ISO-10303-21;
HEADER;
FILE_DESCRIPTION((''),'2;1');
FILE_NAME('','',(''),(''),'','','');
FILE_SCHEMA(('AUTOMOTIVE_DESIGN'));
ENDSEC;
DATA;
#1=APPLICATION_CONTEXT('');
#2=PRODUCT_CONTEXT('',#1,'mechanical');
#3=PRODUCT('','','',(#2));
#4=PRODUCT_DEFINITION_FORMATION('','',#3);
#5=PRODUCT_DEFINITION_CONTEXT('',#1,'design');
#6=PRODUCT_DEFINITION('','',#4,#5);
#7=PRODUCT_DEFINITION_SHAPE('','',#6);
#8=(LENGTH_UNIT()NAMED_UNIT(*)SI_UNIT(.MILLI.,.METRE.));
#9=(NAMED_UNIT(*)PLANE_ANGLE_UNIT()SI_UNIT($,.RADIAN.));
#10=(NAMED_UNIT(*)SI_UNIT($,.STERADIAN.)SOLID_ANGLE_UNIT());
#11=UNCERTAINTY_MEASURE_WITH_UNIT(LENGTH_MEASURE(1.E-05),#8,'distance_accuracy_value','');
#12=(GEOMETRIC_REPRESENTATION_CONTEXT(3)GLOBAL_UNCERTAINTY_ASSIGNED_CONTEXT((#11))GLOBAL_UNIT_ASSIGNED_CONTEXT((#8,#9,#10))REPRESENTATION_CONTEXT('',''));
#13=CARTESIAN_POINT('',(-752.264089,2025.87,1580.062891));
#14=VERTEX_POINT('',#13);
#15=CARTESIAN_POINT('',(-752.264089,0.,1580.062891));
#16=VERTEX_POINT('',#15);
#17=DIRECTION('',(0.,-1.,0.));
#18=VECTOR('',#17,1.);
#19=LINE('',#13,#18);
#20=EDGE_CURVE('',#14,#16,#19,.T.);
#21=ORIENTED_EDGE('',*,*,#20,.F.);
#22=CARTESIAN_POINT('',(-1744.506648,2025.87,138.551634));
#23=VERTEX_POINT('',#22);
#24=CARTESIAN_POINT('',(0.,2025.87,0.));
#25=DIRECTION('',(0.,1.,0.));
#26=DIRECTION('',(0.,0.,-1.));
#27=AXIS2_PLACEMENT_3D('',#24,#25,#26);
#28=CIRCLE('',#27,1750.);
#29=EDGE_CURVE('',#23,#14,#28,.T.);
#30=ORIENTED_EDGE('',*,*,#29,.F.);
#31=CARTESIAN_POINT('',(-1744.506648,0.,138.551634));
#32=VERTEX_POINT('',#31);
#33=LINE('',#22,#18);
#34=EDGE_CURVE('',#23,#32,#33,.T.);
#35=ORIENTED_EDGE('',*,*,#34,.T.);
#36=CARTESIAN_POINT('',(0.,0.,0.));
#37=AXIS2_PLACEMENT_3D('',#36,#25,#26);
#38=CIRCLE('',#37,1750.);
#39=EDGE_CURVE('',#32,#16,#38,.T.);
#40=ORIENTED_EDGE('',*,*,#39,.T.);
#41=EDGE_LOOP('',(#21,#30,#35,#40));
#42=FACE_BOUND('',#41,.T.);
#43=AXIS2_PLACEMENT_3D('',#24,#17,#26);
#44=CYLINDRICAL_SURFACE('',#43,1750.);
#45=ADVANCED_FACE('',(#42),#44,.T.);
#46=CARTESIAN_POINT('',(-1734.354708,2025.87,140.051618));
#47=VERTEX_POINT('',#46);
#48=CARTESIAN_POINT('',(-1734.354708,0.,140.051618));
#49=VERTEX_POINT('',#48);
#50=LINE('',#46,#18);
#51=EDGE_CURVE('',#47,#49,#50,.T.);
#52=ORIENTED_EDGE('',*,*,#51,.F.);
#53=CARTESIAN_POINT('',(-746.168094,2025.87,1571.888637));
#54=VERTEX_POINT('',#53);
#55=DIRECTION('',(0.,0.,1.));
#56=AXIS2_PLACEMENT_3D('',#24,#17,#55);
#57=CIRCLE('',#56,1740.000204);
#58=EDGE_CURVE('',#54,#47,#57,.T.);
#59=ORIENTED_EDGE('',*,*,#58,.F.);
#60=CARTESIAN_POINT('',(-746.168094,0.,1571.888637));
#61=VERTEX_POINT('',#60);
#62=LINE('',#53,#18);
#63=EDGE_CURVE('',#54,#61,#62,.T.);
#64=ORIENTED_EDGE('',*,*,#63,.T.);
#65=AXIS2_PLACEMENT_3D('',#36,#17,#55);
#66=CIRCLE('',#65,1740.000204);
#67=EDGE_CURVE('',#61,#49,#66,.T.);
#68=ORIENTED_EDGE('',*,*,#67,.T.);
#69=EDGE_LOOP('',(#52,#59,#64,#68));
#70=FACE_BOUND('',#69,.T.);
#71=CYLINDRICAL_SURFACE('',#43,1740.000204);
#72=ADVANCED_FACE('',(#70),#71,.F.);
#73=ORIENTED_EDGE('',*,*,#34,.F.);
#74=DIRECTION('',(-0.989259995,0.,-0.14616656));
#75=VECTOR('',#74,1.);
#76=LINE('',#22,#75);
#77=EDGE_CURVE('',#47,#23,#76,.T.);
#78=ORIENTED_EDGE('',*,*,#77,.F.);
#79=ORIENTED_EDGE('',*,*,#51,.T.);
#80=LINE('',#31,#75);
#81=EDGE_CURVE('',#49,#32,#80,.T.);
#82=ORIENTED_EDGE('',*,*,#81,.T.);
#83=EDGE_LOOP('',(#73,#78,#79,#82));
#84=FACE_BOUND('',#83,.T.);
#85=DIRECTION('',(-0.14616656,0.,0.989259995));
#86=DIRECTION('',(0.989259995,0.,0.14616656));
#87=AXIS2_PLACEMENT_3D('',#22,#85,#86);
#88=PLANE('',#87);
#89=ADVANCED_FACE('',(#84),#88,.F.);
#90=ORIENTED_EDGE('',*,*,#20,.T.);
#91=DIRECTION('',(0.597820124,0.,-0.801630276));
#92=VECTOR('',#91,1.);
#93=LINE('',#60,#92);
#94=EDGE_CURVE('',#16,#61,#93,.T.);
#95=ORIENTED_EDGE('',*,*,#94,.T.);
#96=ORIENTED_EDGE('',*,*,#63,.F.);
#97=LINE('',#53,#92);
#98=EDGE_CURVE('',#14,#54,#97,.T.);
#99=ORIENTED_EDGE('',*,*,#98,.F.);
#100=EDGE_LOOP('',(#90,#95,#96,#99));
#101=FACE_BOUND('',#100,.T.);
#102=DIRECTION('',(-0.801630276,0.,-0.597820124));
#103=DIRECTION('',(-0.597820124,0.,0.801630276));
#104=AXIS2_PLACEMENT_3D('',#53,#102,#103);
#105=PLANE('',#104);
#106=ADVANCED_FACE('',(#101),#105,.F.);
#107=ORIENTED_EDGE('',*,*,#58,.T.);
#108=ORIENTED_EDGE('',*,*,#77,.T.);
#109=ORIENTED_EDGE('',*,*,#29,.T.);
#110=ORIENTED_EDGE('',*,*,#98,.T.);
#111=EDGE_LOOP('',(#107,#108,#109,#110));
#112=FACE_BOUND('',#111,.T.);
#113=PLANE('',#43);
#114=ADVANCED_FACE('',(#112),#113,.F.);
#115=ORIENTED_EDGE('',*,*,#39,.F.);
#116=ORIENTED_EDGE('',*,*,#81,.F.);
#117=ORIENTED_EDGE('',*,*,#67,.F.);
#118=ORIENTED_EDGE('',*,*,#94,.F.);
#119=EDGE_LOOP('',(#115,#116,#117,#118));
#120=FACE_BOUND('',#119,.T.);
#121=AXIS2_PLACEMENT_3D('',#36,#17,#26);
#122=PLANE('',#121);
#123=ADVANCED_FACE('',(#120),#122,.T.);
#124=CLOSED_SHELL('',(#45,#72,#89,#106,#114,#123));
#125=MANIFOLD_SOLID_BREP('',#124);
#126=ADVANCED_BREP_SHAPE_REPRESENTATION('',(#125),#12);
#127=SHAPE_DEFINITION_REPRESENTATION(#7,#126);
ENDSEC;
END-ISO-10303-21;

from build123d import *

# Parameters (mm, degrees)
BOSS_EXTRUDE1_DEPTH = 2025.87


with BuildPart() as part:
    # Sketch1 → Boss-Extrude1 (new body)
    with BuildSketch(Plane(origin=(0, 0, 0), x_dir=(1, 0, 0), z_dir=(0, 1, 0))):
        with BuildLine():
            Line((-746.1680939, -1571.888636527), (-752.264088777, -1580.062891386))
            ThreePointArc((-752.264088777, -1580.062891386), (-1441.511256929, -992.242559129), (-1744.506647906, -138.551634457))
            Line((-1744.506647906, -138.551634457), (-1734.354708295, -140.05161838))
            ThreePointArc((-1734.354708295, -140.05161838), (-1432.05714086, -988.338532746), (-746.1680939, -1571.888636527))
        make_face()
    extrude(amount=BOSS_EXTRUDE1_DEPTH)


solid = part.part
